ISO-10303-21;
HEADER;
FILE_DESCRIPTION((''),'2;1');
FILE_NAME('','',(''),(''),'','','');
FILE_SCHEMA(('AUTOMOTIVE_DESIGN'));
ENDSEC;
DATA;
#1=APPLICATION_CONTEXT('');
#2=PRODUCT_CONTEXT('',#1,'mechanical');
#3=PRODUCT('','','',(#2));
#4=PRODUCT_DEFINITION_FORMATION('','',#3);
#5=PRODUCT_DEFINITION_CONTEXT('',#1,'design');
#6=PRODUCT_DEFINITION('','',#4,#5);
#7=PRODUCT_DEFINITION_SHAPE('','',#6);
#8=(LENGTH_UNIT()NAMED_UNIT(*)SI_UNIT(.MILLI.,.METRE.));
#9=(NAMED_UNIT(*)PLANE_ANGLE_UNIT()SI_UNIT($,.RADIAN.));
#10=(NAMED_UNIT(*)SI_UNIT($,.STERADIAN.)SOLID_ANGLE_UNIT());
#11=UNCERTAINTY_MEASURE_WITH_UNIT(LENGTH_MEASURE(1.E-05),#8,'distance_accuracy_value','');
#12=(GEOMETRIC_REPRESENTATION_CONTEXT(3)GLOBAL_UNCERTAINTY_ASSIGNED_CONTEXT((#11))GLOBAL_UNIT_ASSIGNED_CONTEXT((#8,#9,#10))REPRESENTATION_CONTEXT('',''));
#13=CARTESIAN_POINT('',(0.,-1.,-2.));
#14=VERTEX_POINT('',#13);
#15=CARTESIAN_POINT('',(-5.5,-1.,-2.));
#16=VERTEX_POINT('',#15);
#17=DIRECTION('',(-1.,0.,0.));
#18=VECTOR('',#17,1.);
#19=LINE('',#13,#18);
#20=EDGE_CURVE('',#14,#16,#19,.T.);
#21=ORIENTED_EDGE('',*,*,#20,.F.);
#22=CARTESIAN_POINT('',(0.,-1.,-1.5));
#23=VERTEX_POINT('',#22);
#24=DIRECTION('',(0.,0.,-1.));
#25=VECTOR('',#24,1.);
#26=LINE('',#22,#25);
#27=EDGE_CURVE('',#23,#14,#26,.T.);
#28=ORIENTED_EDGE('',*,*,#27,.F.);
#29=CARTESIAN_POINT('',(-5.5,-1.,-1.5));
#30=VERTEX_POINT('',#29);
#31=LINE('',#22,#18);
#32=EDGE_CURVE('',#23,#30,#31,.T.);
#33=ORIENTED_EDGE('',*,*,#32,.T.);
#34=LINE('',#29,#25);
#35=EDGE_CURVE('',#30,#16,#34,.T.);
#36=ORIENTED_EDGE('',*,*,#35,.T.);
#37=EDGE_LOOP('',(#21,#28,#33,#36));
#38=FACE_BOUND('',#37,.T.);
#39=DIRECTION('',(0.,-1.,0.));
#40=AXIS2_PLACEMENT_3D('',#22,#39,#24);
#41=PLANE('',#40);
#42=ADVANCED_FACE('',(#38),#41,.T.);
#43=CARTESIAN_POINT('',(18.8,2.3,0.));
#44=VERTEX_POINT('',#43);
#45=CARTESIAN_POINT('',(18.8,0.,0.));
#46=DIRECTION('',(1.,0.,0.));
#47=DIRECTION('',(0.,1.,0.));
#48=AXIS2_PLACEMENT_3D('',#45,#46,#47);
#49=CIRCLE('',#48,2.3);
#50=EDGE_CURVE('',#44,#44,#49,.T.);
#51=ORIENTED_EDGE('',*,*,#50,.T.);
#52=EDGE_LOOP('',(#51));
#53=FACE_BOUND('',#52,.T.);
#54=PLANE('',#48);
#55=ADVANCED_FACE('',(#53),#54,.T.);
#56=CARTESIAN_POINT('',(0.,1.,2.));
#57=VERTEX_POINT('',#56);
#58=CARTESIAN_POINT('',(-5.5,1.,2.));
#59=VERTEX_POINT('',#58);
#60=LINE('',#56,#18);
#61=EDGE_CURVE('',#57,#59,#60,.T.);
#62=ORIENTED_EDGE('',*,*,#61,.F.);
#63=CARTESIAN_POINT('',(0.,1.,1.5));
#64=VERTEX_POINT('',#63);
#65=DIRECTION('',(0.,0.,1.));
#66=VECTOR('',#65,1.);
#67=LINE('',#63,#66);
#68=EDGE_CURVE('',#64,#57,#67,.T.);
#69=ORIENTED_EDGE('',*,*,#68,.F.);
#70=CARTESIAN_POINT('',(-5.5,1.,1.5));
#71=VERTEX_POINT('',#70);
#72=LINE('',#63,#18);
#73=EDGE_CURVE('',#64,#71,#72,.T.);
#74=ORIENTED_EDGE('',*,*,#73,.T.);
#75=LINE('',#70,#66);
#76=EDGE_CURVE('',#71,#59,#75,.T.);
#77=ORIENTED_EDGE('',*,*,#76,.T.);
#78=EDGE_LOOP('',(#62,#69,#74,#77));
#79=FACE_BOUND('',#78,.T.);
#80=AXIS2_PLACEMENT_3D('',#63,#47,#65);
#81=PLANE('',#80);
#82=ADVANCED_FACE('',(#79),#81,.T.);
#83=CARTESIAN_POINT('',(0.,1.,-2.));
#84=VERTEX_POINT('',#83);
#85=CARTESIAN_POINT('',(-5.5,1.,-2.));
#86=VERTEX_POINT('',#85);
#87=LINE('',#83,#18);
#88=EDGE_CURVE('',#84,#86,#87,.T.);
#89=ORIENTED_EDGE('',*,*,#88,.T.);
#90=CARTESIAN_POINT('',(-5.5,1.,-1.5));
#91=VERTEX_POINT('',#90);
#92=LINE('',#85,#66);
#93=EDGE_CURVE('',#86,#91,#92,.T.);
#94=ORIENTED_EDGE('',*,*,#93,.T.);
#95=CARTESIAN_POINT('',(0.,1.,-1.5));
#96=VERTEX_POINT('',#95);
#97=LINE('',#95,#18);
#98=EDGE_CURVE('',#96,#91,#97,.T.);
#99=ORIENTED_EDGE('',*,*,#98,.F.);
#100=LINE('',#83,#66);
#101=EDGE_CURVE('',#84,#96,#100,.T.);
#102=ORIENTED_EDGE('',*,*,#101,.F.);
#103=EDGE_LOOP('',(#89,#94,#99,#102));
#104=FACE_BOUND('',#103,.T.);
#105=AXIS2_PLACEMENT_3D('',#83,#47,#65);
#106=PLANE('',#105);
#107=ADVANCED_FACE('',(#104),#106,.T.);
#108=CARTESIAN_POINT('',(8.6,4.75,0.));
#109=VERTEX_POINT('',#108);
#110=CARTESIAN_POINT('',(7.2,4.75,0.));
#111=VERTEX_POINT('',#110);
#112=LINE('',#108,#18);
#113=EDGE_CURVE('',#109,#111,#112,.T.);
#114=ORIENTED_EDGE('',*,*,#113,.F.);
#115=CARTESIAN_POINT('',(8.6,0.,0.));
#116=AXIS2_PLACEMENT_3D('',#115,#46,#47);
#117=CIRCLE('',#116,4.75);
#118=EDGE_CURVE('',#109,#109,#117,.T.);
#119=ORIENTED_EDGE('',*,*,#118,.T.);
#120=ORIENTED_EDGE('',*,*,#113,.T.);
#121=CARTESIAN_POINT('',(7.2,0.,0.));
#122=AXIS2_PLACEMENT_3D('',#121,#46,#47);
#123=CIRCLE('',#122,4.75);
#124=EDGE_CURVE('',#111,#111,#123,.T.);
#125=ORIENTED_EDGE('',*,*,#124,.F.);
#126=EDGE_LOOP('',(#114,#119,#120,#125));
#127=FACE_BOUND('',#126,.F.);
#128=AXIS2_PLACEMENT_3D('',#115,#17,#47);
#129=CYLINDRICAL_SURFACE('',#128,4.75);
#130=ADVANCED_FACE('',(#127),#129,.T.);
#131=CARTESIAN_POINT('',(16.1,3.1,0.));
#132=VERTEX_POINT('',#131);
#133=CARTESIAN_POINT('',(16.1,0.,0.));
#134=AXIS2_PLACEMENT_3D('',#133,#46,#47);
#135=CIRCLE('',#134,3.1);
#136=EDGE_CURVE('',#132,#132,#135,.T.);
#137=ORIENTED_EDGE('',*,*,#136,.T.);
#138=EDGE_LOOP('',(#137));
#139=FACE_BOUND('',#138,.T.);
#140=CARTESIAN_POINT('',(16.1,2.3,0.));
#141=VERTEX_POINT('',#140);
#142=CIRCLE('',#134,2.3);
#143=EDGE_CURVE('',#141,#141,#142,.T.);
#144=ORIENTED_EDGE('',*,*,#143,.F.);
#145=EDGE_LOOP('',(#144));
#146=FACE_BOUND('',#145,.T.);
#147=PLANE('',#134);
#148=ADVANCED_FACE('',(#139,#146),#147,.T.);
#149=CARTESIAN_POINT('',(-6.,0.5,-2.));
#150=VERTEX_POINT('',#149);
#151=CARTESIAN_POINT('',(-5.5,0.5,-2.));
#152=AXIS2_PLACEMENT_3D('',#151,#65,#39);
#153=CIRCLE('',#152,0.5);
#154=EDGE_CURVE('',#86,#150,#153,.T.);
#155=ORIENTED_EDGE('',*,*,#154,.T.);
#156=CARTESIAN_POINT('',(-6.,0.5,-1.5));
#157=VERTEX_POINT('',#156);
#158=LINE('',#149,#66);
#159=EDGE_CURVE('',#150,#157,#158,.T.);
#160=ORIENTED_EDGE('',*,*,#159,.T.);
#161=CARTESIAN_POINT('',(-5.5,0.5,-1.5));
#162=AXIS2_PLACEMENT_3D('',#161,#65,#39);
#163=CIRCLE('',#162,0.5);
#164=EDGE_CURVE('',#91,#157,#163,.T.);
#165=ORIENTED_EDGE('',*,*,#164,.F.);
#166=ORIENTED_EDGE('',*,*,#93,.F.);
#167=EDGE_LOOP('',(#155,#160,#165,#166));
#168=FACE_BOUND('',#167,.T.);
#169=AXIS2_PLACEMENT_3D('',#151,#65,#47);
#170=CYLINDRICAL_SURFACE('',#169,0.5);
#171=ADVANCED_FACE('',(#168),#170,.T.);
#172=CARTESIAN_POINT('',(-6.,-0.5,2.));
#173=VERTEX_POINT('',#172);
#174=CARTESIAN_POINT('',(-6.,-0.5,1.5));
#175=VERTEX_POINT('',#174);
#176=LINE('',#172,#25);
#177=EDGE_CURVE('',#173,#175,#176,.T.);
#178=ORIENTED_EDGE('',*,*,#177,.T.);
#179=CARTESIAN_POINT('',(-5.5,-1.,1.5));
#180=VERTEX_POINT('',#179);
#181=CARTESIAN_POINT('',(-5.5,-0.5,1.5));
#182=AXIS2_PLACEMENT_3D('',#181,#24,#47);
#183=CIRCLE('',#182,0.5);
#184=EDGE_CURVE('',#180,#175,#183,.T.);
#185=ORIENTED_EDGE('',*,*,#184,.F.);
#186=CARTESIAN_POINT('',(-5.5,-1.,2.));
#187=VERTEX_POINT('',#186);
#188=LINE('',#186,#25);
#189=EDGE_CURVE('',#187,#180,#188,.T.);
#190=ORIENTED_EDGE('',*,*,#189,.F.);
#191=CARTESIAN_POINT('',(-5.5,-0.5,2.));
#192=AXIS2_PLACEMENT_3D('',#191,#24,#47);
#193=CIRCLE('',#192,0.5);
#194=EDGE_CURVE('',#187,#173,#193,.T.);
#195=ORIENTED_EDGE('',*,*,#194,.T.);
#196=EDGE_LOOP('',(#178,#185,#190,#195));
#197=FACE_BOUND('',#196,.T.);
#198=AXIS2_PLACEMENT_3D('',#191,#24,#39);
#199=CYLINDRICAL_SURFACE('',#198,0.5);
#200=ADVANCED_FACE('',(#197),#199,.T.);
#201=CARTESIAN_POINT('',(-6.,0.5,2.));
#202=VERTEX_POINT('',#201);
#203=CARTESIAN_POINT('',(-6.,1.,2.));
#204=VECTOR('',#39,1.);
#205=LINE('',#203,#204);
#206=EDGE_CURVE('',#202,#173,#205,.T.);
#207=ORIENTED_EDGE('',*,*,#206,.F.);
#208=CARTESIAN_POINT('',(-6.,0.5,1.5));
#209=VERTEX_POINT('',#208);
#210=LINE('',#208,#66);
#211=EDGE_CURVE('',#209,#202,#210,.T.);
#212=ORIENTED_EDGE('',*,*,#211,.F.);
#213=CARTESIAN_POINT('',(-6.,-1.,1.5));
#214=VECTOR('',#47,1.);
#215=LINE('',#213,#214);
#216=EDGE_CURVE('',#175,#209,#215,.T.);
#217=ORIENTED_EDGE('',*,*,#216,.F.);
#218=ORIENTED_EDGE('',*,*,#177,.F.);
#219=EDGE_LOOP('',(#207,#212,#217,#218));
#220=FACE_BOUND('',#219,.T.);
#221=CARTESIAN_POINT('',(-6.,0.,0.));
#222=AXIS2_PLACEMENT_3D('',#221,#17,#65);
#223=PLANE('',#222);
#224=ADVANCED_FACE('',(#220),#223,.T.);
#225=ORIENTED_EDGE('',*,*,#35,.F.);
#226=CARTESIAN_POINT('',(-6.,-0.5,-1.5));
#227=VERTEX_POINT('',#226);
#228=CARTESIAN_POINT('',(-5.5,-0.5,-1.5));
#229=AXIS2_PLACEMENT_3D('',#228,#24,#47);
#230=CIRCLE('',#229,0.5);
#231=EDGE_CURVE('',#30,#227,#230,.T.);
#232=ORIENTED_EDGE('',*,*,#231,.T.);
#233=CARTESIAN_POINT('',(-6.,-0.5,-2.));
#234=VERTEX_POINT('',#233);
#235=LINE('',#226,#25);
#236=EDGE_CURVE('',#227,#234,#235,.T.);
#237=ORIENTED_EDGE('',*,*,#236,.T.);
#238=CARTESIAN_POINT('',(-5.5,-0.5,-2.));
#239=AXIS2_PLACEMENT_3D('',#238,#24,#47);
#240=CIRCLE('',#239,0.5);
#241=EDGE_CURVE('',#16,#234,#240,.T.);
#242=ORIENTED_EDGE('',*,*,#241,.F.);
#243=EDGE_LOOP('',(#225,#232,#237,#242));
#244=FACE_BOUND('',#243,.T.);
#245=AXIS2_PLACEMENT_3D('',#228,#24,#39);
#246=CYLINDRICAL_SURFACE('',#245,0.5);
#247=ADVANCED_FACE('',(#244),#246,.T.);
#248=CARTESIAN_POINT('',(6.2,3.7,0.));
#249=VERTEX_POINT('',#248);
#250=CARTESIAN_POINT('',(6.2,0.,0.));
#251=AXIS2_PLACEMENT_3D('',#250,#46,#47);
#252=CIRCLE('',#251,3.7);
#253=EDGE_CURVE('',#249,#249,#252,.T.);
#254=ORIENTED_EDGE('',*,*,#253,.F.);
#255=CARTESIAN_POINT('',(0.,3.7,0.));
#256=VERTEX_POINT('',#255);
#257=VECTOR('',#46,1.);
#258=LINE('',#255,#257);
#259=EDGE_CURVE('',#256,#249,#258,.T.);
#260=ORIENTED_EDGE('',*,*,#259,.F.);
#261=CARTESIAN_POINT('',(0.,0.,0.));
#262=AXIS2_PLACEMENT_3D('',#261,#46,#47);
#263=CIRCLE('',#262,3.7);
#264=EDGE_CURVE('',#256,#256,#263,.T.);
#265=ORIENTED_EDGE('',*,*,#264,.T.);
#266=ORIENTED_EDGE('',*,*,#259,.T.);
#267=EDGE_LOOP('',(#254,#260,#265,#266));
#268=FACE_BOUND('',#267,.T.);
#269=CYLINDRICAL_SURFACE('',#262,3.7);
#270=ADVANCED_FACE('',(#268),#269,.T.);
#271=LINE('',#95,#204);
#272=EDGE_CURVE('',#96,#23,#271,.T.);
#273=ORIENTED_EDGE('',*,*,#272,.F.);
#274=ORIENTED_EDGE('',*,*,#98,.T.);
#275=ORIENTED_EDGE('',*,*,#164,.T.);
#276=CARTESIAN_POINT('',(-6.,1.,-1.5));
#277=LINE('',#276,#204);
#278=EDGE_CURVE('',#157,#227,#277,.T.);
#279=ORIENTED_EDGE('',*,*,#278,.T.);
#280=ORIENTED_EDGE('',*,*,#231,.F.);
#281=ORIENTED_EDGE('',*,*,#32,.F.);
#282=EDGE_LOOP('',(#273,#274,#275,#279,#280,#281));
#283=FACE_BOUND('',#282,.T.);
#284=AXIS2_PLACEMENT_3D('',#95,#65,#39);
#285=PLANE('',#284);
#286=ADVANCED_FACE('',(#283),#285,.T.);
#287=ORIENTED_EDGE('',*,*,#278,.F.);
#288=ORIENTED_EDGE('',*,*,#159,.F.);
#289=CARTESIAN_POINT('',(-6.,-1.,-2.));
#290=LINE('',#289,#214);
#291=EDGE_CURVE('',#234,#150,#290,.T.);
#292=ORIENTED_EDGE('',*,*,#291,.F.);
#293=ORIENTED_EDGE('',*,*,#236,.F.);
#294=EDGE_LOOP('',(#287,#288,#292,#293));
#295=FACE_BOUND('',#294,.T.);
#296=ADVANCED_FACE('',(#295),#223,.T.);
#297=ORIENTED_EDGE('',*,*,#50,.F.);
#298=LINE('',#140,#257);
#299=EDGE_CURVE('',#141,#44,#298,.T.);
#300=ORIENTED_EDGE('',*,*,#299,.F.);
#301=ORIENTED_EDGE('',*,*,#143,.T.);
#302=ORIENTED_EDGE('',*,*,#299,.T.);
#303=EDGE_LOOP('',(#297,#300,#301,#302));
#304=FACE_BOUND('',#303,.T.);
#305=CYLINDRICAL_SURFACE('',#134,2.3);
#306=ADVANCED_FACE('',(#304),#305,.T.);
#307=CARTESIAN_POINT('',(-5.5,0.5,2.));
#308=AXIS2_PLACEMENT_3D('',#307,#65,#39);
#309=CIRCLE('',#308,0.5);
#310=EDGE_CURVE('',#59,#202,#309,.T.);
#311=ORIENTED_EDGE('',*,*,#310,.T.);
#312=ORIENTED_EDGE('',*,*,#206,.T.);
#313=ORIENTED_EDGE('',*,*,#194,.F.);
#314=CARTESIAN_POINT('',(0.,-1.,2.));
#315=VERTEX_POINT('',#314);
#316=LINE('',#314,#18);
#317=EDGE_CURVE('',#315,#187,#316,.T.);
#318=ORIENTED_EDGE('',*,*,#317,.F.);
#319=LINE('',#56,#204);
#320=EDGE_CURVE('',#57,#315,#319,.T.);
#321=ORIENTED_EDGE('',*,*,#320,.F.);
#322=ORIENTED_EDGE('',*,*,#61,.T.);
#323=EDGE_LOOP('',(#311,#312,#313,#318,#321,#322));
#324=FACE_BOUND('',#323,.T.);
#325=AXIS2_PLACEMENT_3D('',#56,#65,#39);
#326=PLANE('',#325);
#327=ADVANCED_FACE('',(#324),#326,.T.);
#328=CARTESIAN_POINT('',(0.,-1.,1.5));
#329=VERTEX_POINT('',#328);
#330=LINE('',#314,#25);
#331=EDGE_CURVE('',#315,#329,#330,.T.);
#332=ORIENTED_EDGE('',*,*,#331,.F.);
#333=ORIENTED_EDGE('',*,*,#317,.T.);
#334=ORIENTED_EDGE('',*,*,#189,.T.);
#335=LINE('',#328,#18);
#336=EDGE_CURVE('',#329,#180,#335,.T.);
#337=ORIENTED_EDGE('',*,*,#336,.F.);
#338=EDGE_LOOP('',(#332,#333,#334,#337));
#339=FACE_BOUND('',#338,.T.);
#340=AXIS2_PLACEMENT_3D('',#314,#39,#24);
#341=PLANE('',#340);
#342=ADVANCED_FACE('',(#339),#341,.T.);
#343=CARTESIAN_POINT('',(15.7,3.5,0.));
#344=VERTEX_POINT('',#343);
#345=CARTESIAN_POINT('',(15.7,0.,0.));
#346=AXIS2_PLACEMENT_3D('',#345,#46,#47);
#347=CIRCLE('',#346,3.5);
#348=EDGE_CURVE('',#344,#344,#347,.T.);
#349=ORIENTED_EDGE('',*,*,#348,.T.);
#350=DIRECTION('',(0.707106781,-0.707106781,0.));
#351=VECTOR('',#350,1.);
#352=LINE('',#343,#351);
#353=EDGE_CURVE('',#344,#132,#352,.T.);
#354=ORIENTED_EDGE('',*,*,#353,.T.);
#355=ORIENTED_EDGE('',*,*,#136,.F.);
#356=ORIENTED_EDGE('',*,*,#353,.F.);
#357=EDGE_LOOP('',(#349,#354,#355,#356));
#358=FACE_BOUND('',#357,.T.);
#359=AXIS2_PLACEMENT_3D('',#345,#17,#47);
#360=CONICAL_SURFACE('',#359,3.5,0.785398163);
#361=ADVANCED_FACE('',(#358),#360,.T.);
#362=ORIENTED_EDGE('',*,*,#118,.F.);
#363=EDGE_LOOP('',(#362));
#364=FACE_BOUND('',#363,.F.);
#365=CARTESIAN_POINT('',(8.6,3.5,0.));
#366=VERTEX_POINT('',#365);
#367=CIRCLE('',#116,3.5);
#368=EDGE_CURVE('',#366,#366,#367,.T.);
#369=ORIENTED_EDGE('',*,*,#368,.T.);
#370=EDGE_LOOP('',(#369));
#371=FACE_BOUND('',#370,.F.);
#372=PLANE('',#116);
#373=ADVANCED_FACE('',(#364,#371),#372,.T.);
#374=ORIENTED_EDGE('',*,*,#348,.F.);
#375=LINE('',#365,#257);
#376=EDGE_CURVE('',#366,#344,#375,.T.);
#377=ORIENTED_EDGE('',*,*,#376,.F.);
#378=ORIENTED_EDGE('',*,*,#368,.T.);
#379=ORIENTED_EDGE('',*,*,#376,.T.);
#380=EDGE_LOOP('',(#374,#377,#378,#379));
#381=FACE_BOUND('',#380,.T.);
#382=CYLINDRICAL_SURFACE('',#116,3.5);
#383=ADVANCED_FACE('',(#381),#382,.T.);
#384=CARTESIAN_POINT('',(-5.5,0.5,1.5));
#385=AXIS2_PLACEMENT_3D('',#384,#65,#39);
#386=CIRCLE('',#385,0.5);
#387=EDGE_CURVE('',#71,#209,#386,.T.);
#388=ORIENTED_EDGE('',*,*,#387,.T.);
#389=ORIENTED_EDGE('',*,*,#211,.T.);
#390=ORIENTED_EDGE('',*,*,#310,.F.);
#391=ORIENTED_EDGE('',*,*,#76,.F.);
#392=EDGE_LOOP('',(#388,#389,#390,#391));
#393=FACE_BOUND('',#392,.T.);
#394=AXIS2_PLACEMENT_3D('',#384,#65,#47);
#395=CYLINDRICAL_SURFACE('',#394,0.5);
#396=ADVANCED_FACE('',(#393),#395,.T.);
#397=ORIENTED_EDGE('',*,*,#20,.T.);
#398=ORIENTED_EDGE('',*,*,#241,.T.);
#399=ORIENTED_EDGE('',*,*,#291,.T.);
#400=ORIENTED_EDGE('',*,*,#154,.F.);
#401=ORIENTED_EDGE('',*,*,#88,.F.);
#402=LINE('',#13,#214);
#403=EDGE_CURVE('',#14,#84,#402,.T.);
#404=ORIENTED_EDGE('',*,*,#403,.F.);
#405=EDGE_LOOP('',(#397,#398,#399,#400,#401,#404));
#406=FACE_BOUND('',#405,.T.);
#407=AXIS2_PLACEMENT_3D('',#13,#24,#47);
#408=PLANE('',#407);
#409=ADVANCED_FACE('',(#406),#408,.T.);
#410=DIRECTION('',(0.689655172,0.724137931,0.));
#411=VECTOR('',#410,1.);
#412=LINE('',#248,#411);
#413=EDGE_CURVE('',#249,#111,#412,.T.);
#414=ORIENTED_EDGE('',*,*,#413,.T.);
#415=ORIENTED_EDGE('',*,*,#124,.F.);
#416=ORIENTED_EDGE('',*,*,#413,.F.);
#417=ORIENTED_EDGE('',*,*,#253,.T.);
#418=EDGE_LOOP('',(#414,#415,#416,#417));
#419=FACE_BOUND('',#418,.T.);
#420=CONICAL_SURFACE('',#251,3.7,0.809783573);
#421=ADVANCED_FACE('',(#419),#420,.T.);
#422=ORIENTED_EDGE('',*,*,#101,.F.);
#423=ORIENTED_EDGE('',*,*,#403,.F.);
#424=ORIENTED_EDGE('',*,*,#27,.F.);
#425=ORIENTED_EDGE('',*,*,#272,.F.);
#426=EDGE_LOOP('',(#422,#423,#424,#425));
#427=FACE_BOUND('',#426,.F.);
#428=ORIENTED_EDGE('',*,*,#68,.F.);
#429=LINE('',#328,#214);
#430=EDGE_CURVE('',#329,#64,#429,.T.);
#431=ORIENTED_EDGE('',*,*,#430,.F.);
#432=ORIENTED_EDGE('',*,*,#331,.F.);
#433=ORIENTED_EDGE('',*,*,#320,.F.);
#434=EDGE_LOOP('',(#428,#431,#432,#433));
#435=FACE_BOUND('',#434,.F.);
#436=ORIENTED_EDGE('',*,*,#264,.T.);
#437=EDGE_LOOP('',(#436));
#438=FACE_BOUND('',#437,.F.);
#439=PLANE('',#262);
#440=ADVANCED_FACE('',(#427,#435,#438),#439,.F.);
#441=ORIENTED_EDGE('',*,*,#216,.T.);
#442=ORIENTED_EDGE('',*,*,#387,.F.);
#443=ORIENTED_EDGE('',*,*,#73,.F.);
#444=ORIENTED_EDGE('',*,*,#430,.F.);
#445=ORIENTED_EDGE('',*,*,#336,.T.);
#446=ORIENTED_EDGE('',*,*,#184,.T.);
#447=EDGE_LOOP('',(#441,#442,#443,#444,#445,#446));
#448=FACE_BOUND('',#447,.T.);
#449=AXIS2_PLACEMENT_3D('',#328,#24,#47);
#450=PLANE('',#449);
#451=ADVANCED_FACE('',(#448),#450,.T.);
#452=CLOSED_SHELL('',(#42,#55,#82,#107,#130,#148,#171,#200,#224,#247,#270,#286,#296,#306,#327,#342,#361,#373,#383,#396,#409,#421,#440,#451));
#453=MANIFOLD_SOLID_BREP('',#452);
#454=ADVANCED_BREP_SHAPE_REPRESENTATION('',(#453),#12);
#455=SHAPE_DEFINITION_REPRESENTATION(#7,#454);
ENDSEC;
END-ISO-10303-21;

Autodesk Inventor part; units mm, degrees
ref_plane "YZ Plane" through (0, 0, 0) normal (1, 0, 0) x (0, 1, 0)
ref_plane "XZ Plane" through (0, 0, 0) normal (0, 1, 0) x (-1, 0, 0)
ref_plane "XY Plane" through (0, 0, 0) normal (0, 0, 1) x (1, 0, 0)
sketch "Esquisse1" plane through (0, 0, 0) normal (0, 0, 1) x (1, 0, 0)
  line L0 (-14.8768, 0) -> (-3.0909, 0)
  line L1 (0, 3.7) -> (0, 0)
  line L2 (8.6, 4.75) -> (7.2, 4.75)
  line L3 (8.6, 3.5) -> (8.6, 4.75)
  line L4 (8.6, 3.5) -> (16.1, 3.5)
  line L5 (16.1, 3.5) -> (16.1, 2.3)
  line L6 (16.1, 2.3) -> (18.8, 2.3)
  line L7 (18.8, 2.3) -> (18.8, 3)
  line L8 (0, 3.7) -> (6.2, 3.7)
  line L9 (6.2, 3.7) -> (7.2, 4.75)
  line L10 (18.8, 2.3) -> (18.8, 0)
  line L11 (18.8, 0) -> (0, 0)
  dimension "d4" = 9.5
  dimension "d5" = 7
  dimension "d6" = 4.6
  dimension "d9" = 1.4
  dimension "d10" = 7.4
  dimension "d11" = 1
  dimension "d12" = 7.5
  dimension "d15" = 2.7
  dimension "d16" = 18.8
revolve "Révolution1" add sketch "Esquisse1" angle 360 about axis through (-14.8768, 0, 0) along (1, 0, 0)
thread "Filetage1" size "M7x0.75" class "6g" standard "ANSI Metric M Profile" length 6.3
chamfer "Chanfrein1" distance 0.4 angle 45 1 edges at (16.1, -3.5, 0)
sketch "Esquisse2" plane through (0, 0, 0) normal (-1, 0, 0) x (0, 0, 1)
  line L0 (2, -1) -> (1.5, -1)
  line L1 (1.5, -1) -> (1.5, 1)
  line L2 (1.5, 1) -> (2, 1)
  line L3 (2, 1) -> (2, -1)
  line L4 (-1.5, -1) -> (-2, -1)
  line L5 (-2, -1) -> (-2, 1)
  line L6 (-2, 1) -> (-1.5, 1)
  line L7 (-1.5, 1) -> (-1.5, -1)
  line L8 (0, -6.65) -> (0, 6.65) construction
  line L9 (-6.65, 0) -> (6.65, 0) construction
  point P0 (0, 0)
  dimension "d23" = 0.5
  dimension "d24" = 2
  dimension "d25" = 3
extrude "Extrusion1" add sketch "Esquisse2" along normal blind 6
fillet "Congé1" radius 0.5 4 edges at (-6, -1, 1.75) (-6, 1, 1.75) (-6, 1, -1.75) (-6, -1, -1.75)
properties part number "Bouton"
